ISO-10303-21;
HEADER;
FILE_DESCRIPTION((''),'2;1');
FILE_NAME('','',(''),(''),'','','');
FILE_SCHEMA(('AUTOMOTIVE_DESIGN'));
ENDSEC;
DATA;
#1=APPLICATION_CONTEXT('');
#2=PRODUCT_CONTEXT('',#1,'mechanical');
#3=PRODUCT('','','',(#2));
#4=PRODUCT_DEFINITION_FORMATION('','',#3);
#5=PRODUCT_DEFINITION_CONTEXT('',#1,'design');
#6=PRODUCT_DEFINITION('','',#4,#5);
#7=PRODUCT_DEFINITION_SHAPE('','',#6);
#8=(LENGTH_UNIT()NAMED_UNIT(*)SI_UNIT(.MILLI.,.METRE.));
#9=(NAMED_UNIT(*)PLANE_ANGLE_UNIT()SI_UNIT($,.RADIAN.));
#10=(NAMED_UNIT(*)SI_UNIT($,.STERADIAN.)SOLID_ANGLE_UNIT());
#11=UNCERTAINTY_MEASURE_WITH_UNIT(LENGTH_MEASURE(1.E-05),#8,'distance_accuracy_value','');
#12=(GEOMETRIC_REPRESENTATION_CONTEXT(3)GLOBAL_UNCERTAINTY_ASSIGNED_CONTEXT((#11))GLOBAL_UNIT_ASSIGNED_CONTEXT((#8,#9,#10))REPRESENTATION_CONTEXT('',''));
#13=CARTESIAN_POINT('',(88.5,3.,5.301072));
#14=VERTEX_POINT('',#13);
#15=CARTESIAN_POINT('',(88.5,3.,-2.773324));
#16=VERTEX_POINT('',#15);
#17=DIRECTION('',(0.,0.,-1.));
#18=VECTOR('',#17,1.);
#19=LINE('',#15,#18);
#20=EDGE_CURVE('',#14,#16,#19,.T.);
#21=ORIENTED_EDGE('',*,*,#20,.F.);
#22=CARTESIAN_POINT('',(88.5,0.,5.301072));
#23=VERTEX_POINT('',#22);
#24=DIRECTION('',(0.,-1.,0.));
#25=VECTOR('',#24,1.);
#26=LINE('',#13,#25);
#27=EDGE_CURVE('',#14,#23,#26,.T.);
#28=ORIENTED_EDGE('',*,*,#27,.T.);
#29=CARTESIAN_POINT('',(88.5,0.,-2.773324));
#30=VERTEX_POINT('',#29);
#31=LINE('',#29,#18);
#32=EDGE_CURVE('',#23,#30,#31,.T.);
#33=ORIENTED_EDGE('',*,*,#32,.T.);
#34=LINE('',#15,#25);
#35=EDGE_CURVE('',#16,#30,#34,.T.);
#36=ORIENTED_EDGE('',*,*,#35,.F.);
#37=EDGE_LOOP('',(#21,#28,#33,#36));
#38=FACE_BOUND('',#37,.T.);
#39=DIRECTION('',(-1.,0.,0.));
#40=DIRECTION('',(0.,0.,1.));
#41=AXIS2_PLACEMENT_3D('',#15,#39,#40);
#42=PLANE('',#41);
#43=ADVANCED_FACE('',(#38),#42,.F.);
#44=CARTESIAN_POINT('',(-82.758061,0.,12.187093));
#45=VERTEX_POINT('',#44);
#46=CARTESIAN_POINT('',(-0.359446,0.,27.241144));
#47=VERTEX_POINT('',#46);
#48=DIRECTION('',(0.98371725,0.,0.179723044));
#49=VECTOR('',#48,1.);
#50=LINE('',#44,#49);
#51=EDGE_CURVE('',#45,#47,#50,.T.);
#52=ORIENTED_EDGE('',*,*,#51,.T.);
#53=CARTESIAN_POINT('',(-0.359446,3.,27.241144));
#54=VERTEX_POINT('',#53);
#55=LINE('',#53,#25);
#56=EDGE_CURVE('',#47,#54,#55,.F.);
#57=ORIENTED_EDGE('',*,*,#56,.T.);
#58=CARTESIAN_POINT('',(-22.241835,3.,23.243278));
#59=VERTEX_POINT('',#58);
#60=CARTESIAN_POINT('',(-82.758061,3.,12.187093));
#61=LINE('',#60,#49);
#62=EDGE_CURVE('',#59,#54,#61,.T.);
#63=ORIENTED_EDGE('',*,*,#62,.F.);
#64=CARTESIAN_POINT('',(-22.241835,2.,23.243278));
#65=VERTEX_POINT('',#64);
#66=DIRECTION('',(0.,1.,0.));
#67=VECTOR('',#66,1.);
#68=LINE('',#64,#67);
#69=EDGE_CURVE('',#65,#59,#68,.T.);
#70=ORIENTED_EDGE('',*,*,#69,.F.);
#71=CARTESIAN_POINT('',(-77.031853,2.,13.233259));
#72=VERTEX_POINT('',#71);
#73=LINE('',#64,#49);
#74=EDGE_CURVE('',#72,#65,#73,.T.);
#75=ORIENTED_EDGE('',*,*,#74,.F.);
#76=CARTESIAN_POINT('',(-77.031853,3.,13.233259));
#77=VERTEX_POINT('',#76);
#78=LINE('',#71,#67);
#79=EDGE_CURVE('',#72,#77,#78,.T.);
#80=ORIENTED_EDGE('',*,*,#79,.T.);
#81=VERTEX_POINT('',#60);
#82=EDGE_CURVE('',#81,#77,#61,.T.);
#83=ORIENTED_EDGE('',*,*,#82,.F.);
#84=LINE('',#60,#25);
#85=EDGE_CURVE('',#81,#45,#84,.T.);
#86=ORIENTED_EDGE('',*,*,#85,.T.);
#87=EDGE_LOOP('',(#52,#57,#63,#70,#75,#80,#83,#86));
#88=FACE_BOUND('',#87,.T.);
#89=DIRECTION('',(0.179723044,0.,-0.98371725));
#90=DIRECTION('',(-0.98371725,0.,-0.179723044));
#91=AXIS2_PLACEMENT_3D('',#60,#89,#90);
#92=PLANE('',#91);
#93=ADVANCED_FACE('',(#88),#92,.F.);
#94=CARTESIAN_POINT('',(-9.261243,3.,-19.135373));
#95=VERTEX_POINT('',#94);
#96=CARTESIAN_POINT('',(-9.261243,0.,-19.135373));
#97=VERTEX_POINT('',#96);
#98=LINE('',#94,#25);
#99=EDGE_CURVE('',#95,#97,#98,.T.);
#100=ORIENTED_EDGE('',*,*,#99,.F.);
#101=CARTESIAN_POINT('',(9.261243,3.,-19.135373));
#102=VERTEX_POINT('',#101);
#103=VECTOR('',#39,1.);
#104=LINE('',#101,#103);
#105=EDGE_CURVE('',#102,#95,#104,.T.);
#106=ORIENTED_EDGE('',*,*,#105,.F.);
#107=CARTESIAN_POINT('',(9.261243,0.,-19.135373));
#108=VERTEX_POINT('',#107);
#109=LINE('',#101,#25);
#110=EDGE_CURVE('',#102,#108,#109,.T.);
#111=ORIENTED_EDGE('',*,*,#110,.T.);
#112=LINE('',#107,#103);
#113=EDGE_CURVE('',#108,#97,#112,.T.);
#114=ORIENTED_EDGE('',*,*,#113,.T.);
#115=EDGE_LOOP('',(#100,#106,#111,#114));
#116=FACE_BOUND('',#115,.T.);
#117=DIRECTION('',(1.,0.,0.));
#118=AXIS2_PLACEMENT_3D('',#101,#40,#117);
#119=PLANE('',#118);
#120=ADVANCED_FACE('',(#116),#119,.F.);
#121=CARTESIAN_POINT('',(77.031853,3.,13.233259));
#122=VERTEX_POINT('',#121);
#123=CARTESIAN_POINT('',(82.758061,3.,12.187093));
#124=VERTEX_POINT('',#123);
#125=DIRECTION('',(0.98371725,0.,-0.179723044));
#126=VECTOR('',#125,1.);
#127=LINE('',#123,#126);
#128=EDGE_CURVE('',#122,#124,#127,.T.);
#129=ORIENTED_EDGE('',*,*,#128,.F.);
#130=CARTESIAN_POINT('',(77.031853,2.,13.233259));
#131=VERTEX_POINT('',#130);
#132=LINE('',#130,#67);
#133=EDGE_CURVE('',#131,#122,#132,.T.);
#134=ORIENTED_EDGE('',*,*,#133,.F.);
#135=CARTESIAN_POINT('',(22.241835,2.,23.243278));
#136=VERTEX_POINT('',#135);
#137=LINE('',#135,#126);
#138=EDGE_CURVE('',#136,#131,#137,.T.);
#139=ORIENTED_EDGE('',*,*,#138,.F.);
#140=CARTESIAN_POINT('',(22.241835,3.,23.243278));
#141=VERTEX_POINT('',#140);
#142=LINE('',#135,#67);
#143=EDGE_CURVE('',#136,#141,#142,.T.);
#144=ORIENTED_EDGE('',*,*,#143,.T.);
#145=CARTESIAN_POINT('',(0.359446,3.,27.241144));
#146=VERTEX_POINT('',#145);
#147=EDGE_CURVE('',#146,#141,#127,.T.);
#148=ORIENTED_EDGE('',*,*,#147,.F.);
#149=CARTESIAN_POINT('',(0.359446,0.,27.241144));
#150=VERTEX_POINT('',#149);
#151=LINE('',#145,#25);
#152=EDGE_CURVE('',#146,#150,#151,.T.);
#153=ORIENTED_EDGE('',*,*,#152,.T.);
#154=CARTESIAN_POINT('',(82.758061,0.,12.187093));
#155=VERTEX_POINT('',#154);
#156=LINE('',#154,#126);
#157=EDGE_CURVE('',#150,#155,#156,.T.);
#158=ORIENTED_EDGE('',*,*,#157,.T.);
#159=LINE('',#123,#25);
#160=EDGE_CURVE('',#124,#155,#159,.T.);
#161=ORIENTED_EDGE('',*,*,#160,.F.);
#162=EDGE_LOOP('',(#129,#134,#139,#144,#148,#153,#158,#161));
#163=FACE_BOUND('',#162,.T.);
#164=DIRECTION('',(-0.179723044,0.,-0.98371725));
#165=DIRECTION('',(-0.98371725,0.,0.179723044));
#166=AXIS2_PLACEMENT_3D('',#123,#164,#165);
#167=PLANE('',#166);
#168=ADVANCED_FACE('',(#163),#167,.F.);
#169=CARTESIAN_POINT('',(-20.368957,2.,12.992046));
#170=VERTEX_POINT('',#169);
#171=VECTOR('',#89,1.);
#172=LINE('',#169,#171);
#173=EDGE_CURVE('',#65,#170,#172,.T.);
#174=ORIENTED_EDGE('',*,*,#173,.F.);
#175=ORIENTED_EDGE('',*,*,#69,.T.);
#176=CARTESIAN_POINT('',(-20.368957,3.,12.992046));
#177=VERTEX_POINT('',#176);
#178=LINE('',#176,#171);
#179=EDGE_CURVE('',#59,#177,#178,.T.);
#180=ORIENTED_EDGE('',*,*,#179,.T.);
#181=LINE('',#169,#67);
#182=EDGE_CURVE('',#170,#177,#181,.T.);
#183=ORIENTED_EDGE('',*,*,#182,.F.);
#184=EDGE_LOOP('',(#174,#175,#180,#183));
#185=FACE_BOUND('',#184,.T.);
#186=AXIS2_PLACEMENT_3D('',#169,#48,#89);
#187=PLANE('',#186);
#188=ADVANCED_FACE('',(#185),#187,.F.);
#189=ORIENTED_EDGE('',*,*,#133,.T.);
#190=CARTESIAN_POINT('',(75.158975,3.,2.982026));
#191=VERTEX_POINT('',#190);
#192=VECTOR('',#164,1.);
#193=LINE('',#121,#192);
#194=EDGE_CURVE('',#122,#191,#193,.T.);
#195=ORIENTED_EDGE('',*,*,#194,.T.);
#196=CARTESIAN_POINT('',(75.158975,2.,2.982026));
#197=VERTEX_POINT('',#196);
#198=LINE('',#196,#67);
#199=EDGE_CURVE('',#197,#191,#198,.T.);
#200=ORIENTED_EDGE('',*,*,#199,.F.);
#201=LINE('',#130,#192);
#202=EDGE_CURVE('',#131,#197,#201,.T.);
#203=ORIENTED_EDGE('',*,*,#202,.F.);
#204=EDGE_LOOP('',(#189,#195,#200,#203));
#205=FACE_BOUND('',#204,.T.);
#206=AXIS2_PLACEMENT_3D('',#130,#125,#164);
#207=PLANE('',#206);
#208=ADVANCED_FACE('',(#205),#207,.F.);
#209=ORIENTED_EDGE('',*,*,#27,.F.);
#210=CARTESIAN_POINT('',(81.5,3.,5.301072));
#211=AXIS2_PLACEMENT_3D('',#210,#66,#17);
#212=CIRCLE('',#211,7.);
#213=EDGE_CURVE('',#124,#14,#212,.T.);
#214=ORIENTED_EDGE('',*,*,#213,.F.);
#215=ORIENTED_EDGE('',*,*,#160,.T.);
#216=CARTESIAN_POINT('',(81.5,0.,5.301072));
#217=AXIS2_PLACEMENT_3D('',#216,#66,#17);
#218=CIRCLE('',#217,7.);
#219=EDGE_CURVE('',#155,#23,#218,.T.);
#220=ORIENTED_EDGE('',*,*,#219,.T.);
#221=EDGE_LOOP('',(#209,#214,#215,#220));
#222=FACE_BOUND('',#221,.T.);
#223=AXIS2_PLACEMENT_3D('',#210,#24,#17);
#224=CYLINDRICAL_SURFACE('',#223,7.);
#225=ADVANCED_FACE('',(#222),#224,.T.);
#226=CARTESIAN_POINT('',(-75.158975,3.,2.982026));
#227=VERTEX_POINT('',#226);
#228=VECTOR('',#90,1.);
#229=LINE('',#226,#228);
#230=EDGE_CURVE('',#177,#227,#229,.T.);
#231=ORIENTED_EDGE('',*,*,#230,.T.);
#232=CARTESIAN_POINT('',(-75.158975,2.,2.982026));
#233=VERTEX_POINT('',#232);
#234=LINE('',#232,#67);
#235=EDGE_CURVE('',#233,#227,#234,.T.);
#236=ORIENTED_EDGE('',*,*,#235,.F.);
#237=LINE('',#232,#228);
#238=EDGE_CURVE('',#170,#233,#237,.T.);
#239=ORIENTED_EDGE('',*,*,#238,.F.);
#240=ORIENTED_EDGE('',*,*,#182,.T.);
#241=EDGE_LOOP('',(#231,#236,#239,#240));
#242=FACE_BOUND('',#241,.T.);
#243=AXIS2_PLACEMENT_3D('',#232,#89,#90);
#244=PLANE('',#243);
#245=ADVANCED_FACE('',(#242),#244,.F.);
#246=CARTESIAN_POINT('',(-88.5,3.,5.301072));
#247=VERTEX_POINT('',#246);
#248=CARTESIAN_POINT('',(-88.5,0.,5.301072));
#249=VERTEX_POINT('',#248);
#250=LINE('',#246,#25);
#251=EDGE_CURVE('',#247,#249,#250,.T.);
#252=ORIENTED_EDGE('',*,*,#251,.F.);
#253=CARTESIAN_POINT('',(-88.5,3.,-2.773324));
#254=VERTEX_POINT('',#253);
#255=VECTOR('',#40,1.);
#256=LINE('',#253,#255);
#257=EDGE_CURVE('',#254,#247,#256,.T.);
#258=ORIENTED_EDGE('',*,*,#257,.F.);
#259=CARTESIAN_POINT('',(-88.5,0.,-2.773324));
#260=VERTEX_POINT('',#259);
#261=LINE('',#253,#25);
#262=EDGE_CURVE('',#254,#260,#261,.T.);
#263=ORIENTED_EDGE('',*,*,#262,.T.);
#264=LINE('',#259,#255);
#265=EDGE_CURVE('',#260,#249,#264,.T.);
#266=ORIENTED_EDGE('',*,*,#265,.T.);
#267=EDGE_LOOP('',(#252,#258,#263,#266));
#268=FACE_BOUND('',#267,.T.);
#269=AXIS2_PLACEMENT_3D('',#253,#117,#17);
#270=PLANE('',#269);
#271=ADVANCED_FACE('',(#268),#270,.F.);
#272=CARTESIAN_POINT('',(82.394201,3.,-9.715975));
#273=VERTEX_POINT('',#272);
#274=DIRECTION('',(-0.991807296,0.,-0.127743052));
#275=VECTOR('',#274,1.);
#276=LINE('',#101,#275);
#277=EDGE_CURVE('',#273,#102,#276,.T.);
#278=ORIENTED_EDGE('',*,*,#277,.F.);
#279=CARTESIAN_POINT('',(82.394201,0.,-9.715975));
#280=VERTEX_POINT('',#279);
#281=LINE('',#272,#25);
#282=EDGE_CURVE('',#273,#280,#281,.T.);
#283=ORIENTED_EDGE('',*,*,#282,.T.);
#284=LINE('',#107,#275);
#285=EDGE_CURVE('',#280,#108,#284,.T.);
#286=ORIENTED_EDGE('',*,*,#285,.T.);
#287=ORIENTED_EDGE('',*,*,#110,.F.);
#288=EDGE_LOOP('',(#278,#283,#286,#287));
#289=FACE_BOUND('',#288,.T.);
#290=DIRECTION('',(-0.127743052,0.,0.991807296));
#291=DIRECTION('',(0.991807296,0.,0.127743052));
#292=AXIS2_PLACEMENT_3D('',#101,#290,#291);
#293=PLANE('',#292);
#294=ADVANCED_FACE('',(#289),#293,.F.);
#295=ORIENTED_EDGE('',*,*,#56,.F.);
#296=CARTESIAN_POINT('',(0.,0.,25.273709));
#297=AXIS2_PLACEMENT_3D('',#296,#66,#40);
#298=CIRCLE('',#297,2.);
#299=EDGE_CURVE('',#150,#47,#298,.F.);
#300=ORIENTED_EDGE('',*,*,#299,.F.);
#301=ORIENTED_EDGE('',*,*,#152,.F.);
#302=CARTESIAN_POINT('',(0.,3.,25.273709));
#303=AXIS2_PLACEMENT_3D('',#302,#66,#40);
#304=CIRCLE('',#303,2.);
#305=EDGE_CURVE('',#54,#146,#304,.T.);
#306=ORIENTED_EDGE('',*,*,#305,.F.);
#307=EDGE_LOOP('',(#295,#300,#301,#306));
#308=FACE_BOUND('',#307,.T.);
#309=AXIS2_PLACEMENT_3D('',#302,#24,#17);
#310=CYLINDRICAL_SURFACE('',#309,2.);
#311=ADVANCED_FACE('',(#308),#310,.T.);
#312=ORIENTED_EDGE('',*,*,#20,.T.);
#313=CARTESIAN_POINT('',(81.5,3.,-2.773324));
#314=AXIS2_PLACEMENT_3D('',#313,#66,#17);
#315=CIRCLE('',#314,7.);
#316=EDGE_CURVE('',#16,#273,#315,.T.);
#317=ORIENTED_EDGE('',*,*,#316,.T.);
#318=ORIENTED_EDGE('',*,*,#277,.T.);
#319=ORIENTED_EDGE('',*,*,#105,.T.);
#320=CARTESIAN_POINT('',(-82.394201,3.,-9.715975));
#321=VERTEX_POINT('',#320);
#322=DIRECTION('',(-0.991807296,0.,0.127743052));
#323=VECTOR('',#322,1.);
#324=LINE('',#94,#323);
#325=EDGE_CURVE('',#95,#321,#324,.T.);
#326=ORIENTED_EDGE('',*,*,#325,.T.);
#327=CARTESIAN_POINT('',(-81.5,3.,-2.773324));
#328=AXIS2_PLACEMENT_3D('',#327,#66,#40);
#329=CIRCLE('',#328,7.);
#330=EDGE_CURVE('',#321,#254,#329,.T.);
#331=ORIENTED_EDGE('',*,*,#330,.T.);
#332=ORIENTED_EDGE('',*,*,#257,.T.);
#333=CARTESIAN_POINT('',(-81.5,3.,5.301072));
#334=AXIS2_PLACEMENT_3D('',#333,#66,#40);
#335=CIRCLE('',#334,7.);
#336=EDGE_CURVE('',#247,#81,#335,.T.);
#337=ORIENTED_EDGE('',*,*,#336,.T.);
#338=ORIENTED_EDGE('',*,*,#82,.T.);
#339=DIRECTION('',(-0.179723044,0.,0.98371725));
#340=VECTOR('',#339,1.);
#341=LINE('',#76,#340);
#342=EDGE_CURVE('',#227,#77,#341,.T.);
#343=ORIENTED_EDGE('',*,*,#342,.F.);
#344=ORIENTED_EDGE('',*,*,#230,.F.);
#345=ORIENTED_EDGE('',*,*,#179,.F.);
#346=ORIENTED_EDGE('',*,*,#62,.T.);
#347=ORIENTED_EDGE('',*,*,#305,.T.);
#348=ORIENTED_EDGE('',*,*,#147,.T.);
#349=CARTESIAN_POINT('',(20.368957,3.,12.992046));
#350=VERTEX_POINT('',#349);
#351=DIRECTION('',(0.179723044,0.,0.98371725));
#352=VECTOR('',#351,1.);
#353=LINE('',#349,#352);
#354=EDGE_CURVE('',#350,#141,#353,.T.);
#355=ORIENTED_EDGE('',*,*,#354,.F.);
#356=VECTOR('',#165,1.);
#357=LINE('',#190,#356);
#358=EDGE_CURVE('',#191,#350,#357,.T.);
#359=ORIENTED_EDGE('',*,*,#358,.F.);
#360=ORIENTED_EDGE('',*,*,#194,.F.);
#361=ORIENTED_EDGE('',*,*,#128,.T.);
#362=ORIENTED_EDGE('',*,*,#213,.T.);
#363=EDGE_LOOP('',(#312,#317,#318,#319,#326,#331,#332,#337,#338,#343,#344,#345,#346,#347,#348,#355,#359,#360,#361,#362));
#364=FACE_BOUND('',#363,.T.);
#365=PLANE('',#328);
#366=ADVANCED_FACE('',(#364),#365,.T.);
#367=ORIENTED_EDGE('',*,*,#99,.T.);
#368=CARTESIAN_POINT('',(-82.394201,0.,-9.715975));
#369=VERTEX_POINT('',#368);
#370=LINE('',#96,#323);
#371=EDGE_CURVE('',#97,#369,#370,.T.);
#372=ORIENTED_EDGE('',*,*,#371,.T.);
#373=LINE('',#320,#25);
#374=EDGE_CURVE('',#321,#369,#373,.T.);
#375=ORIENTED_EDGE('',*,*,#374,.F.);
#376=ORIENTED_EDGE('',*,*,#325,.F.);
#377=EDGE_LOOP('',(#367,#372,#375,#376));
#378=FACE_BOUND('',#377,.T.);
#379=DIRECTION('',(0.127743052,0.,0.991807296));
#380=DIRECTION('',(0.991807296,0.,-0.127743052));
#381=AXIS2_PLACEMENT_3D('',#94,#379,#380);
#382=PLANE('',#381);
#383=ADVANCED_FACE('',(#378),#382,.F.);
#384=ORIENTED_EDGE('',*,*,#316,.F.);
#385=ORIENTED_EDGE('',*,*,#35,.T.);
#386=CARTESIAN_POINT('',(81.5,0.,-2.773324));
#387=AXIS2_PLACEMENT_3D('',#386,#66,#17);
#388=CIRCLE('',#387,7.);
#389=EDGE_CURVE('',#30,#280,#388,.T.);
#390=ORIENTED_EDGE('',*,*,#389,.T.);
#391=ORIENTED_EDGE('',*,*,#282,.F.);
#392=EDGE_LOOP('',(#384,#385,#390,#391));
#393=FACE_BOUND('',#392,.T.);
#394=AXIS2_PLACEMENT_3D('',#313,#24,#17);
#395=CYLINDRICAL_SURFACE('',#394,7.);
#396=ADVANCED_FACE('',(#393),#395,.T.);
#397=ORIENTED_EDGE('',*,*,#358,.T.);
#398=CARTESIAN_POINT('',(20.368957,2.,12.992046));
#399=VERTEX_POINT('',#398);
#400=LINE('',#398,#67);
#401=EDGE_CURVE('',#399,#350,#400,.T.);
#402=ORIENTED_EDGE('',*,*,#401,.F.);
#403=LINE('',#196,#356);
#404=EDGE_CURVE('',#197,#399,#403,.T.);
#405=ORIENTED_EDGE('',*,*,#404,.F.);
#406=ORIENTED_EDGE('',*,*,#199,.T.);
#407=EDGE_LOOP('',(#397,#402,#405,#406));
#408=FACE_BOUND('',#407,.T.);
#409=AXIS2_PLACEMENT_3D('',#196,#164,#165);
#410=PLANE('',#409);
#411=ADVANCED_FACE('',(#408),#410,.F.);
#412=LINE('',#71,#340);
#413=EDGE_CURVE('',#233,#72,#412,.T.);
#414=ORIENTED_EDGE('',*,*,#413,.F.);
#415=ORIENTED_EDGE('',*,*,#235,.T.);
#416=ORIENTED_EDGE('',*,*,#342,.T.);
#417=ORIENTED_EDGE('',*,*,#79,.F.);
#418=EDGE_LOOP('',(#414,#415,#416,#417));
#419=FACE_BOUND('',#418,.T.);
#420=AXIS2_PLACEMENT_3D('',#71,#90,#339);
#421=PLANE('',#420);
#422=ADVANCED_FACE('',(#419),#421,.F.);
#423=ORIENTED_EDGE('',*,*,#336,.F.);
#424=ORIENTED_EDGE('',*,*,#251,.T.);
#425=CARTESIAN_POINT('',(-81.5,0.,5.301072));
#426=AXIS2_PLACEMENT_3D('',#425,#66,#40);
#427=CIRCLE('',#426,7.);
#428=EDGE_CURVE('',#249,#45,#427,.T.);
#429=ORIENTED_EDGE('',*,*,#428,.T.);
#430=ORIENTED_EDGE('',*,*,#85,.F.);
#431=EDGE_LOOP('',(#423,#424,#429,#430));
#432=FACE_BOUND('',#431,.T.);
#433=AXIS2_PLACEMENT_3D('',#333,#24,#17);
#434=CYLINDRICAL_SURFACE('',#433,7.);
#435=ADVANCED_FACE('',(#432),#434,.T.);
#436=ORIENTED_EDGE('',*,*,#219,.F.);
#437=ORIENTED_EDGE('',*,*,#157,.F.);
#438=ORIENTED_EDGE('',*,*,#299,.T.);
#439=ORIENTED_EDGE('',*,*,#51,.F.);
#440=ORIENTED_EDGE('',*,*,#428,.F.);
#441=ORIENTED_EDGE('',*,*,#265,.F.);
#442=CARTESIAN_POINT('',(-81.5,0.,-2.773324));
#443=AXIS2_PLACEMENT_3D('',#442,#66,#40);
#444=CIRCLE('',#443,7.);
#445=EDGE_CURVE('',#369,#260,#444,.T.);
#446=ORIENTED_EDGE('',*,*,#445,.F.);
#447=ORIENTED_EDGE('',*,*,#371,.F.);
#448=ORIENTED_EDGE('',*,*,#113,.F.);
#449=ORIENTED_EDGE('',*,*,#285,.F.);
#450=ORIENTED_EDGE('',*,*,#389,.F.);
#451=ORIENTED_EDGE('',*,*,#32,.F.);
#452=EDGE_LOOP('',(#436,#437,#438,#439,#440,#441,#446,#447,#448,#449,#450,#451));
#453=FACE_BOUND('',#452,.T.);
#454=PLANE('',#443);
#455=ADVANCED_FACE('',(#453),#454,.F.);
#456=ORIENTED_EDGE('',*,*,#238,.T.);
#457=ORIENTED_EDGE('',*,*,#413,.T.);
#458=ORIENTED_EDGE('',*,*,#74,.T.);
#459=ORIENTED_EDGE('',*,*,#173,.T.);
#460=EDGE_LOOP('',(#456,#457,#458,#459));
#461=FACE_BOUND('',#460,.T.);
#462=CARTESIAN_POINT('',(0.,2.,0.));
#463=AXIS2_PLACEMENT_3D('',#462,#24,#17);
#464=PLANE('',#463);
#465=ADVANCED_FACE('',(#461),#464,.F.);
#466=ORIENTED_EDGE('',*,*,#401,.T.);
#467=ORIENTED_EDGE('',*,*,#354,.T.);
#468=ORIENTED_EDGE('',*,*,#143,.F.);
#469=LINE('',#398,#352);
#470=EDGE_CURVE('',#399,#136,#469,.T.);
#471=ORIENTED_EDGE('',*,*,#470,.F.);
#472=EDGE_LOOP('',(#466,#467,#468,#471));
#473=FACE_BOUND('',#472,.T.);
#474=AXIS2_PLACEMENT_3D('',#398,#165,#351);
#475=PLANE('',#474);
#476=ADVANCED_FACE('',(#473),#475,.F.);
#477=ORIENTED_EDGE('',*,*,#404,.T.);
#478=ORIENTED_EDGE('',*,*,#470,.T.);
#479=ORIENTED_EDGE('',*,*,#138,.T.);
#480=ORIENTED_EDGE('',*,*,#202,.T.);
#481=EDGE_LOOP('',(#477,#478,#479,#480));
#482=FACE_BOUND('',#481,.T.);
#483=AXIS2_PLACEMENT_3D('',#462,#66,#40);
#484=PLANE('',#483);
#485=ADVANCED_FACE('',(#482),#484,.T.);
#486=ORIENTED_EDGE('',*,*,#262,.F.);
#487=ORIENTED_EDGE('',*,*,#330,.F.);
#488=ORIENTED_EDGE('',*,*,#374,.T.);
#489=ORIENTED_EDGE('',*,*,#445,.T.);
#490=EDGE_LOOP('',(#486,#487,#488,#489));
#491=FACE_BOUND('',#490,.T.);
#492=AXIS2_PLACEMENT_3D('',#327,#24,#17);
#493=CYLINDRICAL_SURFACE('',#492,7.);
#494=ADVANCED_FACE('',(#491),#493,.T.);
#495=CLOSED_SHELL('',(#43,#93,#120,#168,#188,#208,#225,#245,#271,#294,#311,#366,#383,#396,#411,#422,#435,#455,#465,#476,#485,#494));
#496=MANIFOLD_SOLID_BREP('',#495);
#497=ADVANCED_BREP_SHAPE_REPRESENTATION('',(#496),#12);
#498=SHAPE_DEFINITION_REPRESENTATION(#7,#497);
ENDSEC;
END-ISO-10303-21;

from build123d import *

# Parameters (mm, degrees)
BOSS_EXTRUDE1_DEPTH = 3
FILLET2_R           = 2
CUT_EXTRUDE1_DEPTH  = 1


with BuildPart() as part:
    # Sketch1 → Boss-Extrude1 (new body)
    with BuildSketch(Plane(origin=(0, 0, 0), x_dir=(1, 0, 0), z_dir=(0, 1, 0))):
        with BuildLine():
            Line((9.261243058, 19.135372648), (-9.261243058, 19.135372648))
            Line((-9.261243058, 19.135372648), (-82.394201363, 9.715975022))
            ThreePointArc((-82.394201363, 9.715975022), (-86.756396558, 7.396125613), (-88.5, 2.773323949))
            Line((-88.5, 2.773323949), (-88.5, -5.301071921))
            ThreePointArc((-88.5, -5.301071921), (-86.876170995, -9.784015756), (-82.758061306, -12.187092669))
            Line((-82.758061306, -12.187092669), (0, -27.306813988))
            Line((0, -27.306813988), (82.758061306, -12.187092669))
            ThreePointArc((82.758061306, -12.187092669), (86.876170995, -9.784015756), (88.5, -5.301071921))
            Line((88.5, -5.301071921), (88.5, 2.773323949))
            ThreePointArc((88.5, 2.773323949), (86.756396558, 7.396125613), (82.394201363, 9.715975022))
            Line((82.394201363, 9.715975022), (9.261243058, 19.135372648))
        make_face()
    extrude(amount=BOSS_EXTRUDE1_DEPTH)

    # Fillet2
    fillet2_edges = [part.edges().sort_by_distance(p)[0] for p in [
        (0, 1.5, 27.306813988),
    ]]
    fillet(fillet2_edges, radius=FILLET2_R)

    # Sketch2 → Cut-Extrude1 (cut)
    with BuildSketch(Plane(origin=(0, 3, 0), x_dir=(1, 0, 0), z_dir=(0, 1, 0))):
        Polygon((-77.031853449, -13.233258633), (-75.158975168, -2.982026326), (-20.368957027, -12.9920458), (-22.241835309, -23.243278108), align=None)
        Polygon((20.368957027, -12.9920458), (22.241835309, -23.243278108), (77.031853449, -13.233258633), (75.158975168, -2.982026326), align=None)
    extrude(amount=-CUT_EXTRUDE1_DEPTH, mode=Mode.SUBTRACT)


solid = part.part
